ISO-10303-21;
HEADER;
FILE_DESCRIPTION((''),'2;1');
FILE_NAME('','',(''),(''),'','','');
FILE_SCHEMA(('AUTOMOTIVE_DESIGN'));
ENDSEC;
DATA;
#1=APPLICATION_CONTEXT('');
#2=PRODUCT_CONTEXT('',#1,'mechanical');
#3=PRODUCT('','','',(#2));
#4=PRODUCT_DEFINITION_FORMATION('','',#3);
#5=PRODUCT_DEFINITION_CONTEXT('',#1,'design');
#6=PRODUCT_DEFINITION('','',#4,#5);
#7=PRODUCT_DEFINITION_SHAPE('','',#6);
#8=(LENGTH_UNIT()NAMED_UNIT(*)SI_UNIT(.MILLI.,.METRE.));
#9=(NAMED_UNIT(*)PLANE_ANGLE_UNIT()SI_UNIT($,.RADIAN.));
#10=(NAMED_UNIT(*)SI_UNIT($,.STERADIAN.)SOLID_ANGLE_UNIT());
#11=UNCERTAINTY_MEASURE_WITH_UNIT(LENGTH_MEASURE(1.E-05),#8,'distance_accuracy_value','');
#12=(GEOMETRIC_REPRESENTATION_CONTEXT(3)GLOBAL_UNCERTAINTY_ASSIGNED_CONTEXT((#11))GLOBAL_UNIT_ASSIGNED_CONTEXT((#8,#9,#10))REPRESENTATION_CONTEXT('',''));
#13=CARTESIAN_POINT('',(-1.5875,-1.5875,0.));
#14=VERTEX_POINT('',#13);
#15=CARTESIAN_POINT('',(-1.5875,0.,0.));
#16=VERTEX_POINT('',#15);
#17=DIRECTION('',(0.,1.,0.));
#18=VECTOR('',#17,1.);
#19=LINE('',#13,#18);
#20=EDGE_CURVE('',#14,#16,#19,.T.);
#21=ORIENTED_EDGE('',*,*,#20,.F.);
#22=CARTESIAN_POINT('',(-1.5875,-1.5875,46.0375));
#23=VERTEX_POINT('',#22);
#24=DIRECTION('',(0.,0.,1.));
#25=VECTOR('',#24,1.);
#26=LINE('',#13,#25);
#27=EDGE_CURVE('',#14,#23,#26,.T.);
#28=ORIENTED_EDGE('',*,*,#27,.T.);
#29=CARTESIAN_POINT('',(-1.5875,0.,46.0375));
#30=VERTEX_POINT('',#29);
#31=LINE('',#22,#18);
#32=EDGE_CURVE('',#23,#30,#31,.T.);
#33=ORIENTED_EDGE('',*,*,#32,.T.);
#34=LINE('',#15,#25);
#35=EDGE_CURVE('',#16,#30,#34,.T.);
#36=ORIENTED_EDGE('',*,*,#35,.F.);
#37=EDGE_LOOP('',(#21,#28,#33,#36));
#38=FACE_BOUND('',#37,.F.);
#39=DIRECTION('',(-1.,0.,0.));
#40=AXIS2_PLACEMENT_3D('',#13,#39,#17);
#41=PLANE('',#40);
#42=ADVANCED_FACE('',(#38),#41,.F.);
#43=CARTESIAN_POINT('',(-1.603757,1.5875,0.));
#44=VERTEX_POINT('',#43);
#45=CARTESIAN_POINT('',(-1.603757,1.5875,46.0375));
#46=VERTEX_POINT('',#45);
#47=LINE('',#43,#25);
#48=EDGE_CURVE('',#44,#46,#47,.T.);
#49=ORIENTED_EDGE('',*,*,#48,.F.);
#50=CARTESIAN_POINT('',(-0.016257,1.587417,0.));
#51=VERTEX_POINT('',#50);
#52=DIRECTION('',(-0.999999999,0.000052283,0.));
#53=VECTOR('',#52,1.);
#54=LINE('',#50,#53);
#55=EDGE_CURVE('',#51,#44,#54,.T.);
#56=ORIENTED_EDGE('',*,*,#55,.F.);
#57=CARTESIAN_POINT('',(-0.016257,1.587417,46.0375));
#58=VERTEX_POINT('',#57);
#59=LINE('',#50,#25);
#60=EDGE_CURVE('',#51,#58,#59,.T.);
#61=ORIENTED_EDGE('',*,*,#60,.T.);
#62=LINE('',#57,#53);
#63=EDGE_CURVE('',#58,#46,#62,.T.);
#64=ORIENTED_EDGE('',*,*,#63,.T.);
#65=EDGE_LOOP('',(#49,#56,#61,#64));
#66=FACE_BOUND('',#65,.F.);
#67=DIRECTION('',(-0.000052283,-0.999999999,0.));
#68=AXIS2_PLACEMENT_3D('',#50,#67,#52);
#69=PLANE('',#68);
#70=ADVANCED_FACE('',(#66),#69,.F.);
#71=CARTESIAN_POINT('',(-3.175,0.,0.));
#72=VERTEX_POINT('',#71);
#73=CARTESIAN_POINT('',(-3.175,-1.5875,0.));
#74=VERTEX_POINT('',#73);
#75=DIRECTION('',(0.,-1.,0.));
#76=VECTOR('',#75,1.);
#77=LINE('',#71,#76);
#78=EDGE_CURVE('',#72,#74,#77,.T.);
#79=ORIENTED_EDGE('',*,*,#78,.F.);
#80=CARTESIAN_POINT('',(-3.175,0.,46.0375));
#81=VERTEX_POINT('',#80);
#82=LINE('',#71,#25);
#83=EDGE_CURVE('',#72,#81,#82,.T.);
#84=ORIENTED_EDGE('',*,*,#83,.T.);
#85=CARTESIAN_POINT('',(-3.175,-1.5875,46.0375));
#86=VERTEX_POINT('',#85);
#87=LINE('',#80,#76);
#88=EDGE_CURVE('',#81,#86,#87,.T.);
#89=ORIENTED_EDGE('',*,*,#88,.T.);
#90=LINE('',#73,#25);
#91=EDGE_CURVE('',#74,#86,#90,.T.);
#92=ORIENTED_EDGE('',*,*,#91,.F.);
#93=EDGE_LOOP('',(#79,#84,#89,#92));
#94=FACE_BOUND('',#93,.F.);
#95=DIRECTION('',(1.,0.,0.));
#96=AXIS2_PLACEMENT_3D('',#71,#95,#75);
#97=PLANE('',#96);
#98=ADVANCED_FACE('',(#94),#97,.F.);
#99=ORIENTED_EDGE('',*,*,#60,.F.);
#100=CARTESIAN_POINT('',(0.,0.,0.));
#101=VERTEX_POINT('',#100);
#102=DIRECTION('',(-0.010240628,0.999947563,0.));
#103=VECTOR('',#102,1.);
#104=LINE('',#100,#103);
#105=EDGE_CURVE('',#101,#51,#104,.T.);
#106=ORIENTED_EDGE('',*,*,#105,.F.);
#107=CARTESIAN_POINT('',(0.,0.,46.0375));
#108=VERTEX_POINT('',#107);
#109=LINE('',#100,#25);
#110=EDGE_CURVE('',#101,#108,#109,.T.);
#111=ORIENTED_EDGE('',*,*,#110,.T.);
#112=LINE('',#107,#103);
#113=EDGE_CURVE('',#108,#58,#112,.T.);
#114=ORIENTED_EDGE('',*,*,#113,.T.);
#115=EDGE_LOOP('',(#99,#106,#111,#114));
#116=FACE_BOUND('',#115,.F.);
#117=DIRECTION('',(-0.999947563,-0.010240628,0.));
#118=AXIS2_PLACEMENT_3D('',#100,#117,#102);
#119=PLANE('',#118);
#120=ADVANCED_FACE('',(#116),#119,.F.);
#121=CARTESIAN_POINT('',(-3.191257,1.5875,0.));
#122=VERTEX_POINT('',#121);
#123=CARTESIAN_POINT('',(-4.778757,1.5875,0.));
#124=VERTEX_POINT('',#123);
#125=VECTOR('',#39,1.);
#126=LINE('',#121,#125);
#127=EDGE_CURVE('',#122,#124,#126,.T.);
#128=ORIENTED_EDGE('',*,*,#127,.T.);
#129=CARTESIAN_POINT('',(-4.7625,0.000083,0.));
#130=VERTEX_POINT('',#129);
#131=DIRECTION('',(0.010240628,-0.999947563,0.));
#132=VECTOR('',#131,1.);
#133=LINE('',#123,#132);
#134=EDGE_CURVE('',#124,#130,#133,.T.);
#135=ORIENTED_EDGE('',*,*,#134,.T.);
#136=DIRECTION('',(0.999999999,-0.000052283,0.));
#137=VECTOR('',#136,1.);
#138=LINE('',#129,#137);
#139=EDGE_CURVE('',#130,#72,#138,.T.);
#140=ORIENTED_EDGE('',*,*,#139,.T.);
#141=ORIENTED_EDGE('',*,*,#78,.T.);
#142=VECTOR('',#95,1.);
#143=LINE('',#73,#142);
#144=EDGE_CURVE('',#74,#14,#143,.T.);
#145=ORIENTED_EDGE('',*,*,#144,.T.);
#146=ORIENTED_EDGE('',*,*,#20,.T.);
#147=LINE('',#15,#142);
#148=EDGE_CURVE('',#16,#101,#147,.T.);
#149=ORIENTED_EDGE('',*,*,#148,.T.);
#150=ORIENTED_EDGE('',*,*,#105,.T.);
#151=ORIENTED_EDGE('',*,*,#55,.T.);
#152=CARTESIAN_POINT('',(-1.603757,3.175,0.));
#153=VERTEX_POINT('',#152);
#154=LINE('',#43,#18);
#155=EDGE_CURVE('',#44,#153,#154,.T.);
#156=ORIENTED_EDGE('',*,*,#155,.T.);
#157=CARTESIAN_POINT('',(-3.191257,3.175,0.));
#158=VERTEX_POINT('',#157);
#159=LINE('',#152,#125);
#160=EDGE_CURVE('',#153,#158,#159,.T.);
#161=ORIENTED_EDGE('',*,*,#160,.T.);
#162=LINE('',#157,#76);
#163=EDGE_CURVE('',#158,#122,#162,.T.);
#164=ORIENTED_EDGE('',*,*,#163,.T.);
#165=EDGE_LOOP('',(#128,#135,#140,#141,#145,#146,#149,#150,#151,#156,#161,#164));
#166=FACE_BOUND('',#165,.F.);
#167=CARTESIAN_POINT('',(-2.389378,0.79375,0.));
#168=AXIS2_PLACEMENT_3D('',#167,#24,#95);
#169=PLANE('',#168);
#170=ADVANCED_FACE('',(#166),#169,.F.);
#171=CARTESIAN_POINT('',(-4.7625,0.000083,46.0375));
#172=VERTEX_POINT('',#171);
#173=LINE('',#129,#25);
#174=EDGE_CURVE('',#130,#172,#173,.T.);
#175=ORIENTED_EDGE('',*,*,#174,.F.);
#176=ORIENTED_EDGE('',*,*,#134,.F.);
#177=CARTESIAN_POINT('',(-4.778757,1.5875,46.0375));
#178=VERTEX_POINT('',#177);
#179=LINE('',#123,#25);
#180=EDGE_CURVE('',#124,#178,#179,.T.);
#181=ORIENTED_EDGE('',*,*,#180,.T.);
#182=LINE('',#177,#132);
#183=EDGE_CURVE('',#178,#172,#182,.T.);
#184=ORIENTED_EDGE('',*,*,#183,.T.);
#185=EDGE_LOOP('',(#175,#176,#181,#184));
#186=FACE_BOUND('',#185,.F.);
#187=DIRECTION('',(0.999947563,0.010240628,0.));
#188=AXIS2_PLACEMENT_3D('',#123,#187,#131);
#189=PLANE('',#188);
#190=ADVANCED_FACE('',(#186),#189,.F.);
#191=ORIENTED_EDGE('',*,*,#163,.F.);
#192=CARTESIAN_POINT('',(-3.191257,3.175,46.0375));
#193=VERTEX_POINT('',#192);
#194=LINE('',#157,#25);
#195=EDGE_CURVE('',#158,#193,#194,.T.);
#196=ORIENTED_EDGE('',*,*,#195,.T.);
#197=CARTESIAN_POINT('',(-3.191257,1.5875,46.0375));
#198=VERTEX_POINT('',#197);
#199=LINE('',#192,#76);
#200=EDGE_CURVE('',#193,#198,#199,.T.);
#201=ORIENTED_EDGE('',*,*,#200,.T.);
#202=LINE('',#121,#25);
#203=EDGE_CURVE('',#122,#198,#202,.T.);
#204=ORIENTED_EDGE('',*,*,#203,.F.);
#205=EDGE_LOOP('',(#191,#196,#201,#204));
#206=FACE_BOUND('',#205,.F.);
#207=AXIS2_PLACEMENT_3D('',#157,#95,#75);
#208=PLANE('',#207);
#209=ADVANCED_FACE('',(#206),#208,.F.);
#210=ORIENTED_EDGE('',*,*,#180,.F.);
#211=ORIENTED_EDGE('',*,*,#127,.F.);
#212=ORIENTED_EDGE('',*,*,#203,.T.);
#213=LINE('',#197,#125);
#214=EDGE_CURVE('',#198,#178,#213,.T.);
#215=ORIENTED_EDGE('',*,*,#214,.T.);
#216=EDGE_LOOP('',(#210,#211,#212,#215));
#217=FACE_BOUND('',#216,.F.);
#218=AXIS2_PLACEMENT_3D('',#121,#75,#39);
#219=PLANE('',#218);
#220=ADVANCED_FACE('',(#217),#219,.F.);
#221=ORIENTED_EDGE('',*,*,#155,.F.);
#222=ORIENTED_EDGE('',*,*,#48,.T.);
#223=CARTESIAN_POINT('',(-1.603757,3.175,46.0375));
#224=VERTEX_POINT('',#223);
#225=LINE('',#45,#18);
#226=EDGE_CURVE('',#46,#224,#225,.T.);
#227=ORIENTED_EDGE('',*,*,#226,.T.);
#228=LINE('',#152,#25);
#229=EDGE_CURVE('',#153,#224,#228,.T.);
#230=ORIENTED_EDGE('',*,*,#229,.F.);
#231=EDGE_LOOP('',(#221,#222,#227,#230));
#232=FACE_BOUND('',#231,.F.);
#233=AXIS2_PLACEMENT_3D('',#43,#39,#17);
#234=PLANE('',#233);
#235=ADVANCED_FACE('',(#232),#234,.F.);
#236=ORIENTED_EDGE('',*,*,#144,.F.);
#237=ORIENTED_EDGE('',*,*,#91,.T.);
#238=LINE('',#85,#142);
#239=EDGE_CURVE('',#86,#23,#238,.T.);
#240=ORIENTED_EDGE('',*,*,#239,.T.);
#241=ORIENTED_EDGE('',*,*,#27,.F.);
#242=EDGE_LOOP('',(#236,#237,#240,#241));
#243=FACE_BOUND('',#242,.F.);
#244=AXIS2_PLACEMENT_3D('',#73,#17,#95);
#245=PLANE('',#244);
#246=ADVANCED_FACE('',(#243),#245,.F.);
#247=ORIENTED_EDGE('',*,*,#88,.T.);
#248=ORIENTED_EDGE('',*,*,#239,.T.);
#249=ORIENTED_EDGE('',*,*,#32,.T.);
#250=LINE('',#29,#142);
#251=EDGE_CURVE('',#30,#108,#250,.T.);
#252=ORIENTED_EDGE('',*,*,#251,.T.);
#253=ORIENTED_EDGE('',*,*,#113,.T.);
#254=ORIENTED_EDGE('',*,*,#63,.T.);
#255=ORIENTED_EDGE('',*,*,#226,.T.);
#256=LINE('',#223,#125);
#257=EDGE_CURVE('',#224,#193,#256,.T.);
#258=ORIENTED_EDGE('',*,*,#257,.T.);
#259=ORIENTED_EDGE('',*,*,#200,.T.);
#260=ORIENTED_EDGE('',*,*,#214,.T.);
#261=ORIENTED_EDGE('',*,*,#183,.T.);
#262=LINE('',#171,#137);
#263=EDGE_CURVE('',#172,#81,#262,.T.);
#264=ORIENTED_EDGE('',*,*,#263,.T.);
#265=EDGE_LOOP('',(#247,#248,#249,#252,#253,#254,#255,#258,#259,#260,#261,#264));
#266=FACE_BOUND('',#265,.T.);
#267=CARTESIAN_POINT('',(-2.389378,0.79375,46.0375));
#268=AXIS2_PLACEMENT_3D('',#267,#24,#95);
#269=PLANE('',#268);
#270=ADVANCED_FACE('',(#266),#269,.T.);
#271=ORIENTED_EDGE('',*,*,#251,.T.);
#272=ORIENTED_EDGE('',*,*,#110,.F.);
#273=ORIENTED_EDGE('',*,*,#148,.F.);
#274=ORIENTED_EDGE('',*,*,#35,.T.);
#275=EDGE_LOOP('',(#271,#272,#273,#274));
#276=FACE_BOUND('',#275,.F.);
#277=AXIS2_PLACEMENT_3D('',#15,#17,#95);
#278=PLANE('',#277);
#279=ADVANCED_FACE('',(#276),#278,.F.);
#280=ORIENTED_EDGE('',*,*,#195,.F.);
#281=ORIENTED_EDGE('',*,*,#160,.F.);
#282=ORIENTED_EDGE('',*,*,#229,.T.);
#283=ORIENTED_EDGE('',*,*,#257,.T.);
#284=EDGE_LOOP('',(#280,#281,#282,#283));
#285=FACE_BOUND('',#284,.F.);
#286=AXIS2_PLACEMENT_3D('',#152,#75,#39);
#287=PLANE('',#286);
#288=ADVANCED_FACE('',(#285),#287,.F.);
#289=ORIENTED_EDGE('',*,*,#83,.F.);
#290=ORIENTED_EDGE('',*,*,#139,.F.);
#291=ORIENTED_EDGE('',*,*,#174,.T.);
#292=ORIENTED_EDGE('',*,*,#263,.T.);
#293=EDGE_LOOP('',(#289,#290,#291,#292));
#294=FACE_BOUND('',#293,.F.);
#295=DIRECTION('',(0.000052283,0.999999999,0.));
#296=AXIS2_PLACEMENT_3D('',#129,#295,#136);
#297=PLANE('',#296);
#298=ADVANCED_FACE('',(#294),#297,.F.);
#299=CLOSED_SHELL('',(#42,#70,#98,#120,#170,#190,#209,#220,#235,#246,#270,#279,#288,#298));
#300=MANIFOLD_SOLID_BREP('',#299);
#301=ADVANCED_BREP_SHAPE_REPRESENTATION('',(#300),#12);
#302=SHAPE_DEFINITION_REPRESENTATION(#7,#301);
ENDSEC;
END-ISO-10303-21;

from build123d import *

# Parameters (mm, degrees)
F1_DEPTH = 46.0375


with BuildPart() as f1:
    # F0 (on Top) → F1 (new body)
    with BuildSketch(Plane.XY):
        Polygon((-1.5875, 0), (0, 0), (-0.016257, 1.587417), (-1.603757, 1.5875), (-1.603757, 3.175), (-3.191257, 3.175), (-3.191257, 1.5875), (-4.778757, 1.5875), (-4.7625, 8.3e-05), (-3.175, 0), (-3.175, -1.5875), (-1.5875, -1.5875), align=None)
    extrude(amount=F1_DEPTH)


solid = f1.part
